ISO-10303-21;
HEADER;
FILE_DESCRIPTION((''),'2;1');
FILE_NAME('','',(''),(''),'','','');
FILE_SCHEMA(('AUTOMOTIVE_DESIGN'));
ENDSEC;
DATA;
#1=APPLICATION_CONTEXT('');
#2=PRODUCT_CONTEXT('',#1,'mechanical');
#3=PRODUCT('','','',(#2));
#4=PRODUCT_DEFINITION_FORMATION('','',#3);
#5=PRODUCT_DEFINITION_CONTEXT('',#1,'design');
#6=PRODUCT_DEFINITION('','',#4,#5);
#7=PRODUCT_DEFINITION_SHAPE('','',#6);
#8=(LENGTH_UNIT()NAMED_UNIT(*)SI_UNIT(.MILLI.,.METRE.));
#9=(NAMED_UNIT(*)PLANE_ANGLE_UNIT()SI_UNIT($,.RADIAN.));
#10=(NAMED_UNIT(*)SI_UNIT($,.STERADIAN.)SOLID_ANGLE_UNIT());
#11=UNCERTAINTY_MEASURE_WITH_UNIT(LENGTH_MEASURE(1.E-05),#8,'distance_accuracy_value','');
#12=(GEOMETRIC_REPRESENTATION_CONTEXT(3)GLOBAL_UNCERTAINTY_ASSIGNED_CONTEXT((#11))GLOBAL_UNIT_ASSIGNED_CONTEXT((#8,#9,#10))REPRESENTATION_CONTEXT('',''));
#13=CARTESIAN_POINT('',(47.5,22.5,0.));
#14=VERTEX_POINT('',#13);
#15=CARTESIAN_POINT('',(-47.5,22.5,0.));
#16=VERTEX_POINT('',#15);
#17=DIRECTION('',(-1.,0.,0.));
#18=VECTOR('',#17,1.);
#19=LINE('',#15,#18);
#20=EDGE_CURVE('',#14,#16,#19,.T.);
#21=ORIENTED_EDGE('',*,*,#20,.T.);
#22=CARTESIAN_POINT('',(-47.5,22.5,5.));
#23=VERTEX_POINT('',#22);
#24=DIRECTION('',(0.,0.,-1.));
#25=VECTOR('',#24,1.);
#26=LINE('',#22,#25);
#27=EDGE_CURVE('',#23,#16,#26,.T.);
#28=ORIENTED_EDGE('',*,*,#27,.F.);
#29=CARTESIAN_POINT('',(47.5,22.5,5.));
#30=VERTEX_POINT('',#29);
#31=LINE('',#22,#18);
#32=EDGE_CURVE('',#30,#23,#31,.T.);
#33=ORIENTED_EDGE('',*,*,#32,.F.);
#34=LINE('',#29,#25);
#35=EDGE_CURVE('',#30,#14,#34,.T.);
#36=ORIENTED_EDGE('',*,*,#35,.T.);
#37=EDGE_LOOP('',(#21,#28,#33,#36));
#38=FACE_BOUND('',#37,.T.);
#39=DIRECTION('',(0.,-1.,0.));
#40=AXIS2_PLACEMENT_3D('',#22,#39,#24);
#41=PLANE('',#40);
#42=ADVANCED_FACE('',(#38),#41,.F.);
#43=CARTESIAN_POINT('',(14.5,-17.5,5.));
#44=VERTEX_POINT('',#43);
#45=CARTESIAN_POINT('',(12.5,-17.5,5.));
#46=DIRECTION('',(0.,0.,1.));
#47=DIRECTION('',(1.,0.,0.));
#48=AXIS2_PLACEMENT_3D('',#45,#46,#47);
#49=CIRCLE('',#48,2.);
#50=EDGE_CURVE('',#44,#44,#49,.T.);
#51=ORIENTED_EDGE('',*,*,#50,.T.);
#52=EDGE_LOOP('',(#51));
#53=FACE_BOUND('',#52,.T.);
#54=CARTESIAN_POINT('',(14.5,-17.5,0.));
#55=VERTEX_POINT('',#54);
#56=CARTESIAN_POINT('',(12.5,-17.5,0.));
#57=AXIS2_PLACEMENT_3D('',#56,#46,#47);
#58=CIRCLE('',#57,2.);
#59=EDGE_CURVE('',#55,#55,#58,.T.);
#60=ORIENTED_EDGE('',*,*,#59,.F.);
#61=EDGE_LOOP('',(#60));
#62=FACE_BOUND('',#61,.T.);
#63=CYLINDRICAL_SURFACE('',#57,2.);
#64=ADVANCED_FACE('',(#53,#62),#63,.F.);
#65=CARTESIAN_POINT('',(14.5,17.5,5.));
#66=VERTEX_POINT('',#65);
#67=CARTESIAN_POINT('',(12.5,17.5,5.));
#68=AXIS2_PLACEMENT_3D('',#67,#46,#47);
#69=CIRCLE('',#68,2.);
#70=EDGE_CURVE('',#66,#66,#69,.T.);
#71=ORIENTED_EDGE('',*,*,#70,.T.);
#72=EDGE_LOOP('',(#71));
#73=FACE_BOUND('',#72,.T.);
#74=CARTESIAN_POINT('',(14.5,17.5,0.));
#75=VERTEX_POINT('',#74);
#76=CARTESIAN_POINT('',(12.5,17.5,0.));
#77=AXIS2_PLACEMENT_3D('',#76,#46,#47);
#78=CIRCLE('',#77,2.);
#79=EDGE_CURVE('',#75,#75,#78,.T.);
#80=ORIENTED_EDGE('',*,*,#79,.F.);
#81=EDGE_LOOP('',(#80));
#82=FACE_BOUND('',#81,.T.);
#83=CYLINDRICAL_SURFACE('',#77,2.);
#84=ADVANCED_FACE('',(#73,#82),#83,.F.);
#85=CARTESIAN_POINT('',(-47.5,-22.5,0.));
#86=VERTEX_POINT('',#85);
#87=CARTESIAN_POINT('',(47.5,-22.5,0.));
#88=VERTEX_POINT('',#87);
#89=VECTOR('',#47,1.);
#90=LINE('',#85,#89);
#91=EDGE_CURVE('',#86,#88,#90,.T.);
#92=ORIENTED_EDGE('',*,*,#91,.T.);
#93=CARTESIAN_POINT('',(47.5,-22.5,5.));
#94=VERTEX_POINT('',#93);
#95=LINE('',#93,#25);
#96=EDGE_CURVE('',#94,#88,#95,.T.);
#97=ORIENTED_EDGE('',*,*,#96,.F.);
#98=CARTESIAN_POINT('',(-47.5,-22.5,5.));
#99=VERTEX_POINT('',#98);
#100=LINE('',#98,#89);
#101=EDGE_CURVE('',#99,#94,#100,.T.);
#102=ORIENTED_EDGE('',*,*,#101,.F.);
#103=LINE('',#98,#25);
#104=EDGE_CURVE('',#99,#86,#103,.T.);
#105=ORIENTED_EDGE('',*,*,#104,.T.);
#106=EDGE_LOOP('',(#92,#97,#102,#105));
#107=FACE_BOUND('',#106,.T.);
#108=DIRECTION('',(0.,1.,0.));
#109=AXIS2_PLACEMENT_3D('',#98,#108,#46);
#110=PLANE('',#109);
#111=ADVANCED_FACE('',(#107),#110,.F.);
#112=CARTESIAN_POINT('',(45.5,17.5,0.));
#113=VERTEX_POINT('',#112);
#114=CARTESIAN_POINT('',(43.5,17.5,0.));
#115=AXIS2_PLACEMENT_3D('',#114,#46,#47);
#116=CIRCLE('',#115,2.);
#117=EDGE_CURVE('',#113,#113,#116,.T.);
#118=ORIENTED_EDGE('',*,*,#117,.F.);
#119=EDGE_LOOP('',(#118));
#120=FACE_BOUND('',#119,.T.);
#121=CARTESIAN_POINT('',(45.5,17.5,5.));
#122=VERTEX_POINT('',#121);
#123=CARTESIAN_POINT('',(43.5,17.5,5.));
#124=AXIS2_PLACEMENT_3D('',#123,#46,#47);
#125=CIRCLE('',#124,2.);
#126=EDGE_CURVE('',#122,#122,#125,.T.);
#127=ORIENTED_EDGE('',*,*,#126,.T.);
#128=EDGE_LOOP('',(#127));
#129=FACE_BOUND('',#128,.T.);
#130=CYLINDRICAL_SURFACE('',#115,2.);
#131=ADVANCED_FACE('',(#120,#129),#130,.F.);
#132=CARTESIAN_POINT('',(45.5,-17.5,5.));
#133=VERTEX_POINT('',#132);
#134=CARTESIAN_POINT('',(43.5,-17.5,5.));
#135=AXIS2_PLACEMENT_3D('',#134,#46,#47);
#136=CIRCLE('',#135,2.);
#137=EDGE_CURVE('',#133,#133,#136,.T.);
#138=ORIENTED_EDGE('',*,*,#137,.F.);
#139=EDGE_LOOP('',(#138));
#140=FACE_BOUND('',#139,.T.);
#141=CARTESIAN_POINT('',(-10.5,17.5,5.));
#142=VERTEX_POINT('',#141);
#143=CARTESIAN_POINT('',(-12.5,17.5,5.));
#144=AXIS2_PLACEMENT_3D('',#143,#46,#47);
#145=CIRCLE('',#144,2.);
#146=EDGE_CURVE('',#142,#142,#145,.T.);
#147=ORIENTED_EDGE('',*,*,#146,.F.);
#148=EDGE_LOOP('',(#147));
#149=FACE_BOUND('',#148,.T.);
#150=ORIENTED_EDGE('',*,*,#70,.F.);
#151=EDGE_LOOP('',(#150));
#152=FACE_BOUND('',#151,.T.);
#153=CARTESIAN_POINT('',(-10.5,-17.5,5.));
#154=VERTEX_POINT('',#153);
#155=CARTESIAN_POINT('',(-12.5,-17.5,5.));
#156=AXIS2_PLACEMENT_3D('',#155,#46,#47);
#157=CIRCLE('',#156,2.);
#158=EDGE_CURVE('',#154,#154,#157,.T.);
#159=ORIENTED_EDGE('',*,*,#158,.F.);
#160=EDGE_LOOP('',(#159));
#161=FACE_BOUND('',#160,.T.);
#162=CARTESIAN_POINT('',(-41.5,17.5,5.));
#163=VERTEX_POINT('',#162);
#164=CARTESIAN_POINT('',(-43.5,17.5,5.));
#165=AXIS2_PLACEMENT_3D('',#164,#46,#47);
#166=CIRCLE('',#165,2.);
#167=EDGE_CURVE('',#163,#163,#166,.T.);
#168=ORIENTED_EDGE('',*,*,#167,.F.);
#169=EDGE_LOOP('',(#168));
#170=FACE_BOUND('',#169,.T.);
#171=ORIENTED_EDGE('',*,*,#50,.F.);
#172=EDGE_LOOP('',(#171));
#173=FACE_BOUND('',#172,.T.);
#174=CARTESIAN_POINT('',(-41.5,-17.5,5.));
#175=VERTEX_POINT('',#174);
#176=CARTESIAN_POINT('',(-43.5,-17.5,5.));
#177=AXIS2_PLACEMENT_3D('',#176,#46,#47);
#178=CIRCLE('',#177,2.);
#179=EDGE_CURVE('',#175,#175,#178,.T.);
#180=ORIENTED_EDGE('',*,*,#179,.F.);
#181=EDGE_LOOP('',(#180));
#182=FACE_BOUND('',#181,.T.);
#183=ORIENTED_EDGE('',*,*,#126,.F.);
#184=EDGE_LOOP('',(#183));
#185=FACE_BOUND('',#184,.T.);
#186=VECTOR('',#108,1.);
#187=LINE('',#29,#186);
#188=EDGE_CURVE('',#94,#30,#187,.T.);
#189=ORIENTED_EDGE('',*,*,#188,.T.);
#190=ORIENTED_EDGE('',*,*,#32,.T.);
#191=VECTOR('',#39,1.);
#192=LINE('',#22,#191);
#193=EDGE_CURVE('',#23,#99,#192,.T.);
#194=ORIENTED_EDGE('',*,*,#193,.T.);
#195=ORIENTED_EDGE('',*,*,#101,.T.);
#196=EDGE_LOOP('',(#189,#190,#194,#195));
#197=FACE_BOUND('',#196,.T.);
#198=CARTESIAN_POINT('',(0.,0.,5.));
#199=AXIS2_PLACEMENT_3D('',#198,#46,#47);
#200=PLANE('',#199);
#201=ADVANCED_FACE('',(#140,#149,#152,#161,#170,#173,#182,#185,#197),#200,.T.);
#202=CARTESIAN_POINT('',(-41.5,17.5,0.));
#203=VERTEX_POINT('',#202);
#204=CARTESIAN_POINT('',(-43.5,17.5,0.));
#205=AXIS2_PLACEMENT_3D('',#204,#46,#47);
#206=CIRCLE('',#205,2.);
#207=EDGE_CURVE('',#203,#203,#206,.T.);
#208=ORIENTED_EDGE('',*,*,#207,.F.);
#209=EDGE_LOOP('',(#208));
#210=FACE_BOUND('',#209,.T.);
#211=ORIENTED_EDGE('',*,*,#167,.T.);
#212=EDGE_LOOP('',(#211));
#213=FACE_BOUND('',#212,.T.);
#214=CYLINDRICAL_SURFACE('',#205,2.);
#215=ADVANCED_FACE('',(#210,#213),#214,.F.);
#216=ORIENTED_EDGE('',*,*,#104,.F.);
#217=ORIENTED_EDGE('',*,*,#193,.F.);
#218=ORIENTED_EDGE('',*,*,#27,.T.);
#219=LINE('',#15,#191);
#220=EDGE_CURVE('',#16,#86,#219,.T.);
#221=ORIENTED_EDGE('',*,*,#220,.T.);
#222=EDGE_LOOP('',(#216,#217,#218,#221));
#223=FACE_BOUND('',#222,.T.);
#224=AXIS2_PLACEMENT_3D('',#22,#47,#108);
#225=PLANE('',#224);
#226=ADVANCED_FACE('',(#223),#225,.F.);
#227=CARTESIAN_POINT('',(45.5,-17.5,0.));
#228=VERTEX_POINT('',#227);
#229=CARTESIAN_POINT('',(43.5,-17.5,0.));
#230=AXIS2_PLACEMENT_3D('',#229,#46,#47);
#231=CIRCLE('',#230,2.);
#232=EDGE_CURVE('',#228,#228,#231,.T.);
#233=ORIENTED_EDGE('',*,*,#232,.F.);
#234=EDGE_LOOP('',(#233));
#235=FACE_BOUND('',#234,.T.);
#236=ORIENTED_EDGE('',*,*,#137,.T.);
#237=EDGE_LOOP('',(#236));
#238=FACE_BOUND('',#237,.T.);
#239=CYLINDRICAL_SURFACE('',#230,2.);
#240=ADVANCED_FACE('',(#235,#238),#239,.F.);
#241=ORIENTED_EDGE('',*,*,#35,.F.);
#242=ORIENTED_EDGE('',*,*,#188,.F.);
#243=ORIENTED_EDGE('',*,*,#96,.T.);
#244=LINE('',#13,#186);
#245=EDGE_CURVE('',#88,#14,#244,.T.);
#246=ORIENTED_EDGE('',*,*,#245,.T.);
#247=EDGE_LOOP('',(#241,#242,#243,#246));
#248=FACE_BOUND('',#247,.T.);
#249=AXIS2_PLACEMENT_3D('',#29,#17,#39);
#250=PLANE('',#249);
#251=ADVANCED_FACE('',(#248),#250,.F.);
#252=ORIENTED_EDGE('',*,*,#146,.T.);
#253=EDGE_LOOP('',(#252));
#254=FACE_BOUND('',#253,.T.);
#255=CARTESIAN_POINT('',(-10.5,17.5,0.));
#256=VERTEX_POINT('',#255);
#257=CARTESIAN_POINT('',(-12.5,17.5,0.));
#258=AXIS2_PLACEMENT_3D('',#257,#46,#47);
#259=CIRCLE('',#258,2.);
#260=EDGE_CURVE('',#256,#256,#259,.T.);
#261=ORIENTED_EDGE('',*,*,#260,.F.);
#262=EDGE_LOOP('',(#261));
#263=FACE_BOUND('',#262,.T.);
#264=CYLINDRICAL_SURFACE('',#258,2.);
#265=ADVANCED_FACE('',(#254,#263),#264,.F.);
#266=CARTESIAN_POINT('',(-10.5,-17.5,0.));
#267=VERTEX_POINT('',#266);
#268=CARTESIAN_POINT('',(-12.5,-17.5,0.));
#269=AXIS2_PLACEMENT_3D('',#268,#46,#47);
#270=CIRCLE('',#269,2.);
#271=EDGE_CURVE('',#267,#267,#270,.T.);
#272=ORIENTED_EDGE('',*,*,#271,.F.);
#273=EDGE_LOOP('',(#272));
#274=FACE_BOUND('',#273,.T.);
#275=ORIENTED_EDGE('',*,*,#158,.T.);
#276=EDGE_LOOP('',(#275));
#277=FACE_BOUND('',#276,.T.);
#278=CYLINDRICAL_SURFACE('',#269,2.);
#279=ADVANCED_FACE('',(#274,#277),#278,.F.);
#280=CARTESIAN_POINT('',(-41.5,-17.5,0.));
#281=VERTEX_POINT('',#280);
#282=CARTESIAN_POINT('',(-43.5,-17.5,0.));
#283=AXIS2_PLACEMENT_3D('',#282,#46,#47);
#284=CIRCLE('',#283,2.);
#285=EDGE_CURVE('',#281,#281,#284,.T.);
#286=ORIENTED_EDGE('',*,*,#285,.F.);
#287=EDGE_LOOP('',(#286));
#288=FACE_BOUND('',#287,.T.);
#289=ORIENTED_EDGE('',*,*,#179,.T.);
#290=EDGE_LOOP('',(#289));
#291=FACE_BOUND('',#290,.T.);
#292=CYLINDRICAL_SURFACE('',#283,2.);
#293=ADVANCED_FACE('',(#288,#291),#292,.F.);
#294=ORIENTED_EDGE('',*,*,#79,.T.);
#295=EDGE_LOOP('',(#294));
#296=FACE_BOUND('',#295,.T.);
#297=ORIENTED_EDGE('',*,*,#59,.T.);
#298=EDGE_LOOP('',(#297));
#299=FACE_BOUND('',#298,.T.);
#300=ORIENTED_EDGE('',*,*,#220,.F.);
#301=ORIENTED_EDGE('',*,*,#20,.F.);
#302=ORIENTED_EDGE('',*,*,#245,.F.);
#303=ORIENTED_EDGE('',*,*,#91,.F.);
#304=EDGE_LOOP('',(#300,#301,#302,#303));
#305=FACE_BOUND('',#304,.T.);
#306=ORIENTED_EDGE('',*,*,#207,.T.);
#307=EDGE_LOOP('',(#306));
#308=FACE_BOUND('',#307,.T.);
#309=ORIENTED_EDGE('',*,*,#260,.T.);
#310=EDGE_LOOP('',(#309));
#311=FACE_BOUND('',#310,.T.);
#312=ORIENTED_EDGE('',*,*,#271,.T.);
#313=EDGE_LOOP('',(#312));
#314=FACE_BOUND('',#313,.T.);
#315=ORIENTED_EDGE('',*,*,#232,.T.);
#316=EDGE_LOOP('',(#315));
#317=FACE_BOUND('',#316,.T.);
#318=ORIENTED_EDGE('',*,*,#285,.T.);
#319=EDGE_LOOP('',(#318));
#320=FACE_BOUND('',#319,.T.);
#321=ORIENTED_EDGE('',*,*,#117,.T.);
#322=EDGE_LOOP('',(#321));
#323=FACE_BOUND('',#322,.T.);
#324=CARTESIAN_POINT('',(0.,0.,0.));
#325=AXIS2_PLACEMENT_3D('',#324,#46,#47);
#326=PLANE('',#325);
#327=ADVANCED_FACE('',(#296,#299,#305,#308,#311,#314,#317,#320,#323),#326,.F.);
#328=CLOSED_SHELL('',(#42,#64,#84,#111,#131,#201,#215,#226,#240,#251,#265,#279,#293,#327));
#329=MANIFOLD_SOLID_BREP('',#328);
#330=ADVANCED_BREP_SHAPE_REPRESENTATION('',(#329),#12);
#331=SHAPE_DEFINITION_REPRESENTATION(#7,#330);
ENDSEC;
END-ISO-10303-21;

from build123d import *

# Parameters (mm, degrees)
SKETCH1_W           = 95
SKETCH1_H           = 45
BOSS_EXTRUDE1_DEPTH = 5
SKETCH2_R           = 2
CUT_EXTRUDE1_DEPTH  = 6


with BuildPart() as part:
    # Sketch1 → Boss-Extrude1 (new body)
    with BuildSketch(Plane.XY):
        Rectangle(SKETCH1_W, SKETCH1_H)
    extrude(amount=BOSS_EXTRUDE1_DEPTH)

    # Sketch2 → Cut-Extrude1 (cut, through all)
    with BuildSketch(Plane.XY.offset(5)):
        with Locations((43.5, 17.5)):
            Circle(SKETCH2_R)
        with Locations((43.5, -17.5)):
            Circle(SKETCH2_R)
        with Locations((12.5, -17.5)):
            Circle(SKETCH2_R)
        with Locations((12.5, 17.5)):
            Circle(SKETCH2_R)
        with Locations((-12.5, 17.5)):
            Circle(SKETCH2_R)
        with Locations((-12.5, -17.5)):
            Circle(SKETCH2_R)
        with Locations((-43.5, -17.5)):
            Circle(SKETCH2_R)
        with Locations((-43.5, 17.5)):
            Circle(SKETCH2_R)
    extrude(amount=-CUT_EXTRUDE1_DEPTH, mode=Mode.SUBTRACT)


solid = part.part
